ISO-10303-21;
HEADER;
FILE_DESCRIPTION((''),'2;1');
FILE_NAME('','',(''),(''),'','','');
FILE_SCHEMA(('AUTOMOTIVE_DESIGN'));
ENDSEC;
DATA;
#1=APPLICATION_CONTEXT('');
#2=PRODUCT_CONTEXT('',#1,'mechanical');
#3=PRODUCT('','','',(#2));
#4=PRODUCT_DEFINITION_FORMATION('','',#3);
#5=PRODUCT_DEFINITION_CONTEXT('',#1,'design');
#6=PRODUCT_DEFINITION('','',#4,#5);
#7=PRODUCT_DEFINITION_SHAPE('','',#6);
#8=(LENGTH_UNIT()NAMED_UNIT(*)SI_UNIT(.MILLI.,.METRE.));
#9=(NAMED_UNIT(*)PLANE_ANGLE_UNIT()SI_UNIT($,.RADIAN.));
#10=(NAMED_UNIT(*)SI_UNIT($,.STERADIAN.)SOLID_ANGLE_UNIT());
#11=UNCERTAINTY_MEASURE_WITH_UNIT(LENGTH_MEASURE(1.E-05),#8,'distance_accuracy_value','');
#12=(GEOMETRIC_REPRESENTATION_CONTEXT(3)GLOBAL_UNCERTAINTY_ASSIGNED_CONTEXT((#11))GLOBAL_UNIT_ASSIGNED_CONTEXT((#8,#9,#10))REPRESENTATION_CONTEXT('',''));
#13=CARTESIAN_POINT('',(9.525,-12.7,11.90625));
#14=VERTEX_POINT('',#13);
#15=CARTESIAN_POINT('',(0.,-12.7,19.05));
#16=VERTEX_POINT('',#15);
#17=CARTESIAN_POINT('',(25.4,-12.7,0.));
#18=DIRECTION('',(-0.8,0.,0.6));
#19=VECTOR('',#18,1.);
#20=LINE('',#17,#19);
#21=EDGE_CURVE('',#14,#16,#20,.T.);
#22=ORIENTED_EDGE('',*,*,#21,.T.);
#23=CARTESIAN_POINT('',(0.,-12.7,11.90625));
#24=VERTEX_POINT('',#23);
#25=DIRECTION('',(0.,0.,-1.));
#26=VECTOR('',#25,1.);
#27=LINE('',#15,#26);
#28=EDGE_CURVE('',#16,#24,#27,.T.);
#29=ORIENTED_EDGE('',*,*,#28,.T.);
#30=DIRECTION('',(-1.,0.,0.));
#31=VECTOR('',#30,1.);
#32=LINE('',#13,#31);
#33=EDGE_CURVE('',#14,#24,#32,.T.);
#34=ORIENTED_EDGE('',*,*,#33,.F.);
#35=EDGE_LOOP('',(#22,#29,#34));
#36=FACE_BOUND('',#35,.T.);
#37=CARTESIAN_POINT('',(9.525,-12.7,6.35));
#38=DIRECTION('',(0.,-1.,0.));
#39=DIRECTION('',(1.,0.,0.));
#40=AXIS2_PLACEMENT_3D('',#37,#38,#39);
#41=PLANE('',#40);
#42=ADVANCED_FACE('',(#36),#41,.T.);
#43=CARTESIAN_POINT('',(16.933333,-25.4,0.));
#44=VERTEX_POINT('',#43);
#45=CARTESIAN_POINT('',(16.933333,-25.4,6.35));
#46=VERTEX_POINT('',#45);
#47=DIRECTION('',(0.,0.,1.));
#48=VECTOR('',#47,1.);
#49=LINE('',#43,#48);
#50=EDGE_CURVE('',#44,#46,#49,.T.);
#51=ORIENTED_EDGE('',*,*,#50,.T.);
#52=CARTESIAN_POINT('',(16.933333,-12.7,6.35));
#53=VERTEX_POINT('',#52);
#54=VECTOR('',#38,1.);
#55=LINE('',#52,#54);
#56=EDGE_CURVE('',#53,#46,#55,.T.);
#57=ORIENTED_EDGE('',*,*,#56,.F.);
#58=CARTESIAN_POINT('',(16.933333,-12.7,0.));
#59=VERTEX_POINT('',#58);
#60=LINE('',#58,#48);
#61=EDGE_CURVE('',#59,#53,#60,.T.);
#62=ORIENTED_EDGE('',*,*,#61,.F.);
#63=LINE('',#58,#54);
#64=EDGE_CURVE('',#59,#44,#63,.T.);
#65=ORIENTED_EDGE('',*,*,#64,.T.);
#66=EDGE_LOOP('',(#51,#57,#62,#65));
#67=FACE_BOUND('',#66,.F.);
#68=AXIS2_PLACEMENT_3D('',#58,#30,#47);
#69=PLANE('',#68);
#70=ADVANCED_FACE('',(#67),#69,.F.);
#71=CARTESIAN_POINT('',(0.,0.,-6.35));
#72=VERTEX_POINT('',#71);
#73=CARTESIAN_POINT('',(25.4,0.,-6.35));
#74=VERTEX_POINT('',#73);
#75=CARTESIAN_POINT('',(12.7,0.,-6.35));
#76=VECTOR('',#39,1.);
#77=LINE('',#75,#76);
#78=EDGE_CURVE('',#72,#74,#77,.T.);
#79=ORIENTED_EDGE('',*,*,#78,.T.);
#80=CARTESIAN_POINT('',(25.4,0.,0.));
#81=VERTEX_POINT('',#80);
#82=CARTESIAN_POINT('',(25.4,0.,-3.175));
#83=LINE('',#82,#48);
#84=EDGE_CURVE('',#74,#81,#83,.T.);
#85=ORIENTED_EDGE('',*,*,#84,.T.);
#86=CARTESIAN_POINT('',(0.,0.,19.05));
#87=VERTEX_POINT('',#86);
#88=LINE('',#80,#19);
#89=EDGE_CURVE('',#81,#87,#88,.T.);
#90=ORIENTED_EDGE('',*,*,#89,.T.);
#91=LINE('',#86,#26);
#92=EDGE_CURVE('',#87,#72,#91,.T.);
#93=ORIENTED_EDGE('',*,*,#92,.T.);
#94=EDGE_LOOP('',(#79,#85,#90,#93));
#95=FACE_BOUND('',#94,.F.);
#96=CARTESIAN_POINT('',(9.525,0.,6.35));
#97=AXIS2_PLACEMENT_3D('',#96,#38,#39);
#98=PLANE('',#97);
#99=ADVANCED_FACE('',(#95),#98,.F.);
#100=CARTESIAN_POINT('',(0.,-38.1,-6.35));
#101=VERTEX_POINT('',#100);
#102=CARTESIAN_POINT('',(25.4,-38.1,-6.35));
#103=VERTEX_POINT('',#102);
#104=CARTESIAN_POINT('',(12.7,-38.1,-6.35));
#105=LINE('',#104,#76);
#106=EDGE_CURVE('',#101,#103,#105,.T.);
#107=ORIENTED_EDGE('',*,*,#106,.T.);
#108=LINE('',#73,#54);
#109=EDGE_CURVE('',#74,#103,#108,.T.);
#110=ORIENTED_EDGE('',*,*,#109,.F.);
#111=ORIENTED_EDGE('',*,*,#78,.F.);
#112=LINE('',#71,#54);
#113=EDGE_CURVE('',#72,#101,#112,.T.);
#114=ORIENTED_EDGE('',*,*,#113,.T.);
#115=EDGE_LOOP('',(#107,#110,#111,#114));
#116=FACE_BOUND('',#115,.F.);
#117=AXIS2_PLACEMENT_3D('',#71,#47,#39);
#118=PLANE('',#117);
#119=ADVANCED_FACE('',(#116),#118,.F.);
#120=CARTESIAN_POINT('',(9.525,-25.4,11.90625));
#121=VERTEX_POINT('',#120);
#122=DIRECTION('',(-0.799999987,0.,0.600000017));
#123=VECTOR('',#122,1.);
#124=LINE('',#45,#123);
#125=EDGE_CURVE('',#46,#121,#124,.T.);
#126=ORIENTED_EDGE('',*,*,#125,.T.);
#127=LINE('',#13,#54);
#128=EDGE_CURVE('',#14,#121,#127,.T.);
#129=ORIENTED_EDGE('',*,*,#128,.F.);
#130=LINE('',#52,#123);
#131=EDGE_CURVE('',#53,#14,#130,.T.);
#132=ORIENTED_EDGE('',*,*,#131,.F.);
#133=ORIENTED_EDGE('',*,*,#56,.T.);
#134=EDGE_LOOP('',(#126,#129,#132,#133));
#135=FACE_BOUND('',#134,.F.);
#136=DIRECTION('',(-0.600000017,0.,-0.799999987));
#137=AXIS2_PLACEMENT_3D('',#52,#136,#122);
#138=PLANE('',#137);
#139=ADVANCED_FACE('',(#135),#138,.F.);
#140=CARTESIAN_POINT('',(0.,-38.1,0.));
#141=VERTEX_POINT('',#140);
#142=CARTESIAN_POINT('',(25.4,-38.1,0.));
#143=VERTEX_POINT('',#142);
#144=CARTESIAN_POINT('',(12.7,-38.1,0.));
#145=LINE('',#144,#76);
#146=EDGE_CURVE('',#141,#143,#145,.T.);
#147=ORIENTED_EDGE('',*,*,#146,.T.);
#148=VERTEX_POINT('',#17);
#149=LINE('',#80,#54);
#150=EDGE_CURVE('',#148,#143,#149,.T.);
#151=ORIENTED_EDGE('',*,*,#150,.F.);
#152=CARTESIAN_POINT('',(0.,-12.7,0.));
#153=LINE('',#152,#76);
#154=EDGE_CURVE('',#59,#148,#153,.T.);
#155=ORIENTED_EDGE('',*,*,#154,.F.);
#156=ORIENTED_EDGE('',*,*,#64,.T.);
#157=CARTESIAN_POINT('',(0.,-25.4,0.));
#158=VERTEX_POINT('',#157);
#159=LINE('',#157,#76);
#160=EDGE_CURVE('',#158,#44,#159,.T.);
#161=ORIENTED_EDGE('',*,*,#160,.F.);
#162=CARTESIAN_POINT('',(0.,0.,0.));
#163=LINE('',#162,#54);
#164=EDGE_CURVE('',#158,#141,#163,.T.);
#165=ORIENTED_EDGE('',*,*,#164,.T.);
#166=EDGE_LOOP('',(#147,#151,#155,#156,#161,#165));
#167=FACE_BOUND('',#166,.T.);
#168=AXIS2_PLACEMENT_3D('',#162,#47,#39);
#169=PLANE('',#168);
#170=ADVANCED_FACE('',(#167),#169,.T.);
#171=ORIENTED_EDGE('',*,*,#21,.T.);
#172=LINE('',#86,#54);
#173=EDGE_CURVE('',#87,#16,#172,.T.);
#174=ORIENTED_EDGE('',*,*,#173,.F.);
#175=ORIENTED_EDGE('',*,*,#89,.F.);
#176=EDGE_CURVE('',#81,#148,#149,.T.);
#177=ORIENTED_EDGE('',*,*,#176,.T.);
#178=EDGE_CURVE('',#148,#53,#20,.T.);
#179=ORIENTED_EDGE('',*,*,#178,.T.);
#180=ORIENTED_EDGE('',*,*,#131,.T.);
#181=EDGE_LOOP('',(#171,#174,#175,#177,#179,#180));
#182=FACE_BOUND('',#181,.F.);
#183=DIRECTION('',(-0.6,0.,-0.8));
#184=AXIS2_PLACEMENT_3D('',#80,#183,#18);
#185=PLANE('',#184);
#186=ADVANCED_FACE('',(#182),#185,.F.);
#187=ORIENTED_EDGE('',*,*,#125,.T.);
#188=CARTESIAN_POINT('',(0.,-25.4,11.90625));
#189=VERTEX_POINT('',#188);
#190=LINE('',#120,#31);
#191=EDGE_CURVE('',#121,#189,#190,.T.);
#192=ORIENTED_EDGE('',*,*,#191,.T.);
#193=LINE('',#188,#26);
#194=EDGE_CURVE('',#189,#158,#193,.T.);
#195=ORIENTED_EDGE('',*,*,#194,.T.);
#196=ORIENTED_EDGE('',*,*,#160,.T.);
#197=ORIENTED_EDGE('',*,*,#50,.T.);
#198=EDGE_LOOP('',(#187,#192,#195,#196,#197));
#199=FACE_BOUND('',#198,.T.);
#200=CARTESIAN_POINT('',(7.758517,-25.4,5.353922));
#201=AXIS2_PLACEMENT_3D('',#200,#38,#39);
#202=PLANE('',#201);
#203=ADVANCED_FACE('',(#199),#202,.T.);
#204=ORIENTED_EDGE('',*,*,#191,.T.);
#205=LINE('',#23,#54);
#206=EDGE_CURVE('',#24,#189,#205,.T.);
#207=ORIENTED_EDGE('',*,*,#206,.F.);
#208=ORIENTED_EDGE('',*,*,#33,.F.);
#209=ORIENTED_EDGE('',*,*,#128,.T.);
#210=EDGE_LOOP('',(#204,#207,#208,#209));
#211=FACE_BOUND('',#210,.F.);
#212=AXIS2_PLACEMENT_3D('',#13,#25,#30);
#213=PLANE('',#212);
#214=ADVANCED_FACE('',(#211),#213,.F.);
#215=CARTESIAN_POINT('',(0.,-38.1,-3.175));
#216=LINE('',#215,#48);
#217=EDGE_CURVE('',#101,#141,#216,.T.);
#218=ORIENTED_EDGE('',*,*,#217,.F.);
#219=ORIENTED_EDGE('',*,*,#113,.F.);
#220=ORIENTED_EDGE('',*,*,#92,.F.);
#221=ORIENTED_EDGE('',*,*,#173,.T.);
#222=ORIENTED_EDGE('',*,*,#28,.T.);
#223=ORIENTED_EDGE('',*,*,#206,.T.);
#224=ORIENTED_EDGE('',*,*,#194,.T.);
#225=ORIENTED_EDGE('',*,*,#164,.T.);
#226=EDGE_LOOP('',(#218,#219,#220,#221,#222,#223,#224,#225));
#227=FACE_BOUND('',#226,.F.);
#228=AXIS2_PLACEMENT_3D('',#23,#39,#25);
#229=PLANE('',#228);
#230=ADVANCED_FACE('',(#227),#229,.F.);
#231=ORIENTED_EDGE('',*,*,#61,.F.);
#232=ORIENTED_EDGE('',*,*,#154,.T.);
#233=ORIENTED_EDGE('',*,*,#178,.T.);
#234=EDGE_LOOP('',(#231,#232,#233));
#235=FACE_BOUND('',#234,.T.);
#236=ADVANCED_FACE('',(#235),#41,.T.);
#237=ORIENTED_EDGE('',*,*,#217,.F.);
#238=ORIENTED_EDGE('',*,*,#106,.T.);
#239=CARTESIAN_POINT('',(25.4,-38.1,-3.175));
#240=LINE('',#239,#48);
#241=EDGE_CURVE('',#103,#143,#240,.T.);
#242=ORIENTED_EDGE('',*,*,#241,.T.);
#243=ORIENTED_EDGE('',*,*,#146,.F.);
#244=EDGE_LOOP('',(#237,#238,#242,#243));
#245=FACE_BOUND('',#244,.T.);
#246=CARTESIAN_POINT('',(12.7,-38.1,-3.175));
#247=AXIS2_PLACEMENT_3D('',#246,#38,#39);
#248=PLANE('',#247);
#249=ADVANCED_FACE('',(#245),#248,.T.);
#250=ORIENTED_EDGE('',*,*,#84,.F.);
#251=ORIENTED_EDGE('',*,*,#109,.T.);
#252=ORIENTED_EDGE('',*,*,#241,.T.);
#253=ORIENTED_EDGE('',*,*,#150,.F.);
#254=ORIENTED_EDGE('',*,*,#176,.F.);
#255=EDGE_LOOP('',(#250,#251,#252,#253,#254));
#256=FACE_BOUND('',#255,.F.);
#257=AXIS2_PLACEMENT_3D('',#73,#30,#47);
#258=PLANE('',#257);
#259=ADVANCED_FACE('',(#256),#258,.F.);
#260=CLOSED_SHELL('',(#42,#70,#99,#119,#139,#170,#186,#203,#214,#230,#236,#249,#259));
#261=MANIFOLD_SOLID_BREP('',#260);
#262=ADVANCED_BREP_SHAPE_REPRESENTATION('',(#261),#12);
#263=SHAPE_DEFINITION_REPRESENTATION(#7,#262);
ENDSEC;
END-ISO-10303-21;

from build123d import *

# Parameters (mm, degrees)
F0_W     = 25.4
F0_H     = 6.35
F1_DEPTH = 38.1
F2_DEPTH = 12.7
F4_DEPTH = 12.7


with BuildPart() as f1:
    # F0 (on Front) → F1 (new body)
    with BuildSketch(Plane.XZ):
        with Locations((12.7, -3.175)):
            Rectangle(F0_W, F0_H)
    extrude(amount=F1_DEPTH)

    # F0 (on Front) → F2 (join)
    with BuildSketch(Plane.XZ):
        Polygon((0, 19.05), (0, 0), (25.4, 0), align=None)
    extrude(amount=F2_DEPTH)

    # F3 (on face) → F4 (join)
    with BuildSketch(Plane.XZ.offset(12.7)):
        Polygon((0, 11.90625), (0, 0), (16.933333, 0), (16.933333, 6.35), (9.525, 11.90625), align=None)
    extrude(amount=F4_DEPTH)


solid = f1.part
